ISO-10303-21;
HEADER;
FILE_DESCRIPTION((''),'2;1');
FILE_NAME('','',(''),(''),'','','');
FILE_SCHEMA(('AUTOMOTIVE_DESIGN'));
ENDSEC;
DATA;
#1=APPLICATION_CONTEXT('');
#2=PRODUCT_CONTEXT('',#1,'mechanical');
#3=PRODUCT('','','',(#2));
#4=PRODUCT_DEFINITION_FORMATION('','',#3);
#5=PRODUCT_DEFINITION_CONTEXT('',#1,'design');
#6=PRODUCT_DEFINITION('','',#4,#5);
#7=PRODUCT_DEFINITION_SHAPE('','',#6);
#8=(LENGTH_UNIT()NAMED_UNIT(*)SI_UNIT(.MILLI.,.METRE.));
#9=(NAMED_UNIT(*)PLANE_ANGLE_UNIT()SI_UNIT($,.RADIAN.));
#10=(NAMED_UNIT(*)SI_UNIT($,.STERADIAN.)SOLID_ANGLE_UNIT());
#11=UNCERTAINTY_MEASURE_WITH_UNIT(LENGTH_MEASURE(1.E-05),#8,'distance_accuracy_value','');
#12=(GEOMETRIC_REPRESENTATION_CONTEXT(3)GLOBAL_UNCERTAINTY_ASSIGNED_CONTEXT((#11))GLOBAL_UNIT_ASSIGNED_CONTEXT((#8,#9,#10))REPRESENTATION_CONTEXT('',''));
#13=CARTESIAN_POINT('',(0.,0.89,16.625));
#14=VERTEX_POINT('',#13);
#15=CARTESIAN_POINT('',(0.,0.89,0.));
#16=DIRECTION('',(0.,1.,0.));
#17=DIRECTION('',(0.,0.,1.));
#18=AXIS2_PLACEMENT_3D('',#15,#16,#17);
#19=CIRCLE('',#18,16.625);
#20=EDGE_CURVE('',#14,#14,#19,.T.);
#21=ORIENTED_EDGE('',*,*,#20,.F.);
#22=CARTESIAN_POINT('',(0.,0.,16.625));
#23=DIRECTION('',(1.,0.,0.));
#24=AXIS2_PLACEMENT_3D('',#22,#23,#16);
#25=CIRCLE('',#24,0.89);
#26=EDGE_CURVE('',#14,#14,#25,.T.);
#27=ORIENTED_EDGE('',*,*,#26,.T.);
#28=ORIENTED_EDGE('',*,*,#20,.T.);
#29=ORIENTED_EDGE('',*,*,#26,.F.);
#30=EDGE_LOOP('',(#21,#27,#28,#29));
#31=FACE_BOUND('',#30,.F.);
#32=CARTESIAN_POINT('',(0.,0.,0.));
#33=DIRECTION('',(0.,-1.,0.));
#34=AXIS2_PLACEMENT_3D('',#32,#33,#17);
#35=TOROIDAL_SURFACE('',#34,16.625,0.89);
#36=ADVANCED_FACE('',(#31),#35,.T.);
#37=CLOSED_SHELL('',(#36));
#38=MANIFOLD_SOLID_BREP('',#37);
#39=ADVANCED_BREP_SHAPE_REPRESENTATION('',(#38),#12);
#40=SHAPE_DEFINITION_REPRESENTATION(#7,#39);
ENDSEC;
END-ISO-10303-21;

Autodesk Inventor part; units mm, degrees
ref_plane "YZ Plane" through (0, 0, 0) normal (1, 0, 0) x (0, 1, 0)
ref_plane "XZ Plane" through (0, 0, 0) normal (0, 1, 0) x (-1, 0, 0)
ref_plane "XY Plane" through (0, 0, 0) normal (0, 0, 1) x (1, 0, 0)
sketch "Sketch1" plane through (0, 0, 0) normal (1, 0, 0) x (0, 1, 0)
  circle A0 centre (0, 16.625) radius 0.89
  line L0 (0, 0) -> (2.0755, 0)
  dimension "d0" = 1.78
  dimension "d1" = 16.625
revolve "Revolution1" add sketch "Sketch1" angle 360 about axis through (0, 0, 0) along (0, 1, 0)
properties part number "Oring 2-026" material "Rubber"
